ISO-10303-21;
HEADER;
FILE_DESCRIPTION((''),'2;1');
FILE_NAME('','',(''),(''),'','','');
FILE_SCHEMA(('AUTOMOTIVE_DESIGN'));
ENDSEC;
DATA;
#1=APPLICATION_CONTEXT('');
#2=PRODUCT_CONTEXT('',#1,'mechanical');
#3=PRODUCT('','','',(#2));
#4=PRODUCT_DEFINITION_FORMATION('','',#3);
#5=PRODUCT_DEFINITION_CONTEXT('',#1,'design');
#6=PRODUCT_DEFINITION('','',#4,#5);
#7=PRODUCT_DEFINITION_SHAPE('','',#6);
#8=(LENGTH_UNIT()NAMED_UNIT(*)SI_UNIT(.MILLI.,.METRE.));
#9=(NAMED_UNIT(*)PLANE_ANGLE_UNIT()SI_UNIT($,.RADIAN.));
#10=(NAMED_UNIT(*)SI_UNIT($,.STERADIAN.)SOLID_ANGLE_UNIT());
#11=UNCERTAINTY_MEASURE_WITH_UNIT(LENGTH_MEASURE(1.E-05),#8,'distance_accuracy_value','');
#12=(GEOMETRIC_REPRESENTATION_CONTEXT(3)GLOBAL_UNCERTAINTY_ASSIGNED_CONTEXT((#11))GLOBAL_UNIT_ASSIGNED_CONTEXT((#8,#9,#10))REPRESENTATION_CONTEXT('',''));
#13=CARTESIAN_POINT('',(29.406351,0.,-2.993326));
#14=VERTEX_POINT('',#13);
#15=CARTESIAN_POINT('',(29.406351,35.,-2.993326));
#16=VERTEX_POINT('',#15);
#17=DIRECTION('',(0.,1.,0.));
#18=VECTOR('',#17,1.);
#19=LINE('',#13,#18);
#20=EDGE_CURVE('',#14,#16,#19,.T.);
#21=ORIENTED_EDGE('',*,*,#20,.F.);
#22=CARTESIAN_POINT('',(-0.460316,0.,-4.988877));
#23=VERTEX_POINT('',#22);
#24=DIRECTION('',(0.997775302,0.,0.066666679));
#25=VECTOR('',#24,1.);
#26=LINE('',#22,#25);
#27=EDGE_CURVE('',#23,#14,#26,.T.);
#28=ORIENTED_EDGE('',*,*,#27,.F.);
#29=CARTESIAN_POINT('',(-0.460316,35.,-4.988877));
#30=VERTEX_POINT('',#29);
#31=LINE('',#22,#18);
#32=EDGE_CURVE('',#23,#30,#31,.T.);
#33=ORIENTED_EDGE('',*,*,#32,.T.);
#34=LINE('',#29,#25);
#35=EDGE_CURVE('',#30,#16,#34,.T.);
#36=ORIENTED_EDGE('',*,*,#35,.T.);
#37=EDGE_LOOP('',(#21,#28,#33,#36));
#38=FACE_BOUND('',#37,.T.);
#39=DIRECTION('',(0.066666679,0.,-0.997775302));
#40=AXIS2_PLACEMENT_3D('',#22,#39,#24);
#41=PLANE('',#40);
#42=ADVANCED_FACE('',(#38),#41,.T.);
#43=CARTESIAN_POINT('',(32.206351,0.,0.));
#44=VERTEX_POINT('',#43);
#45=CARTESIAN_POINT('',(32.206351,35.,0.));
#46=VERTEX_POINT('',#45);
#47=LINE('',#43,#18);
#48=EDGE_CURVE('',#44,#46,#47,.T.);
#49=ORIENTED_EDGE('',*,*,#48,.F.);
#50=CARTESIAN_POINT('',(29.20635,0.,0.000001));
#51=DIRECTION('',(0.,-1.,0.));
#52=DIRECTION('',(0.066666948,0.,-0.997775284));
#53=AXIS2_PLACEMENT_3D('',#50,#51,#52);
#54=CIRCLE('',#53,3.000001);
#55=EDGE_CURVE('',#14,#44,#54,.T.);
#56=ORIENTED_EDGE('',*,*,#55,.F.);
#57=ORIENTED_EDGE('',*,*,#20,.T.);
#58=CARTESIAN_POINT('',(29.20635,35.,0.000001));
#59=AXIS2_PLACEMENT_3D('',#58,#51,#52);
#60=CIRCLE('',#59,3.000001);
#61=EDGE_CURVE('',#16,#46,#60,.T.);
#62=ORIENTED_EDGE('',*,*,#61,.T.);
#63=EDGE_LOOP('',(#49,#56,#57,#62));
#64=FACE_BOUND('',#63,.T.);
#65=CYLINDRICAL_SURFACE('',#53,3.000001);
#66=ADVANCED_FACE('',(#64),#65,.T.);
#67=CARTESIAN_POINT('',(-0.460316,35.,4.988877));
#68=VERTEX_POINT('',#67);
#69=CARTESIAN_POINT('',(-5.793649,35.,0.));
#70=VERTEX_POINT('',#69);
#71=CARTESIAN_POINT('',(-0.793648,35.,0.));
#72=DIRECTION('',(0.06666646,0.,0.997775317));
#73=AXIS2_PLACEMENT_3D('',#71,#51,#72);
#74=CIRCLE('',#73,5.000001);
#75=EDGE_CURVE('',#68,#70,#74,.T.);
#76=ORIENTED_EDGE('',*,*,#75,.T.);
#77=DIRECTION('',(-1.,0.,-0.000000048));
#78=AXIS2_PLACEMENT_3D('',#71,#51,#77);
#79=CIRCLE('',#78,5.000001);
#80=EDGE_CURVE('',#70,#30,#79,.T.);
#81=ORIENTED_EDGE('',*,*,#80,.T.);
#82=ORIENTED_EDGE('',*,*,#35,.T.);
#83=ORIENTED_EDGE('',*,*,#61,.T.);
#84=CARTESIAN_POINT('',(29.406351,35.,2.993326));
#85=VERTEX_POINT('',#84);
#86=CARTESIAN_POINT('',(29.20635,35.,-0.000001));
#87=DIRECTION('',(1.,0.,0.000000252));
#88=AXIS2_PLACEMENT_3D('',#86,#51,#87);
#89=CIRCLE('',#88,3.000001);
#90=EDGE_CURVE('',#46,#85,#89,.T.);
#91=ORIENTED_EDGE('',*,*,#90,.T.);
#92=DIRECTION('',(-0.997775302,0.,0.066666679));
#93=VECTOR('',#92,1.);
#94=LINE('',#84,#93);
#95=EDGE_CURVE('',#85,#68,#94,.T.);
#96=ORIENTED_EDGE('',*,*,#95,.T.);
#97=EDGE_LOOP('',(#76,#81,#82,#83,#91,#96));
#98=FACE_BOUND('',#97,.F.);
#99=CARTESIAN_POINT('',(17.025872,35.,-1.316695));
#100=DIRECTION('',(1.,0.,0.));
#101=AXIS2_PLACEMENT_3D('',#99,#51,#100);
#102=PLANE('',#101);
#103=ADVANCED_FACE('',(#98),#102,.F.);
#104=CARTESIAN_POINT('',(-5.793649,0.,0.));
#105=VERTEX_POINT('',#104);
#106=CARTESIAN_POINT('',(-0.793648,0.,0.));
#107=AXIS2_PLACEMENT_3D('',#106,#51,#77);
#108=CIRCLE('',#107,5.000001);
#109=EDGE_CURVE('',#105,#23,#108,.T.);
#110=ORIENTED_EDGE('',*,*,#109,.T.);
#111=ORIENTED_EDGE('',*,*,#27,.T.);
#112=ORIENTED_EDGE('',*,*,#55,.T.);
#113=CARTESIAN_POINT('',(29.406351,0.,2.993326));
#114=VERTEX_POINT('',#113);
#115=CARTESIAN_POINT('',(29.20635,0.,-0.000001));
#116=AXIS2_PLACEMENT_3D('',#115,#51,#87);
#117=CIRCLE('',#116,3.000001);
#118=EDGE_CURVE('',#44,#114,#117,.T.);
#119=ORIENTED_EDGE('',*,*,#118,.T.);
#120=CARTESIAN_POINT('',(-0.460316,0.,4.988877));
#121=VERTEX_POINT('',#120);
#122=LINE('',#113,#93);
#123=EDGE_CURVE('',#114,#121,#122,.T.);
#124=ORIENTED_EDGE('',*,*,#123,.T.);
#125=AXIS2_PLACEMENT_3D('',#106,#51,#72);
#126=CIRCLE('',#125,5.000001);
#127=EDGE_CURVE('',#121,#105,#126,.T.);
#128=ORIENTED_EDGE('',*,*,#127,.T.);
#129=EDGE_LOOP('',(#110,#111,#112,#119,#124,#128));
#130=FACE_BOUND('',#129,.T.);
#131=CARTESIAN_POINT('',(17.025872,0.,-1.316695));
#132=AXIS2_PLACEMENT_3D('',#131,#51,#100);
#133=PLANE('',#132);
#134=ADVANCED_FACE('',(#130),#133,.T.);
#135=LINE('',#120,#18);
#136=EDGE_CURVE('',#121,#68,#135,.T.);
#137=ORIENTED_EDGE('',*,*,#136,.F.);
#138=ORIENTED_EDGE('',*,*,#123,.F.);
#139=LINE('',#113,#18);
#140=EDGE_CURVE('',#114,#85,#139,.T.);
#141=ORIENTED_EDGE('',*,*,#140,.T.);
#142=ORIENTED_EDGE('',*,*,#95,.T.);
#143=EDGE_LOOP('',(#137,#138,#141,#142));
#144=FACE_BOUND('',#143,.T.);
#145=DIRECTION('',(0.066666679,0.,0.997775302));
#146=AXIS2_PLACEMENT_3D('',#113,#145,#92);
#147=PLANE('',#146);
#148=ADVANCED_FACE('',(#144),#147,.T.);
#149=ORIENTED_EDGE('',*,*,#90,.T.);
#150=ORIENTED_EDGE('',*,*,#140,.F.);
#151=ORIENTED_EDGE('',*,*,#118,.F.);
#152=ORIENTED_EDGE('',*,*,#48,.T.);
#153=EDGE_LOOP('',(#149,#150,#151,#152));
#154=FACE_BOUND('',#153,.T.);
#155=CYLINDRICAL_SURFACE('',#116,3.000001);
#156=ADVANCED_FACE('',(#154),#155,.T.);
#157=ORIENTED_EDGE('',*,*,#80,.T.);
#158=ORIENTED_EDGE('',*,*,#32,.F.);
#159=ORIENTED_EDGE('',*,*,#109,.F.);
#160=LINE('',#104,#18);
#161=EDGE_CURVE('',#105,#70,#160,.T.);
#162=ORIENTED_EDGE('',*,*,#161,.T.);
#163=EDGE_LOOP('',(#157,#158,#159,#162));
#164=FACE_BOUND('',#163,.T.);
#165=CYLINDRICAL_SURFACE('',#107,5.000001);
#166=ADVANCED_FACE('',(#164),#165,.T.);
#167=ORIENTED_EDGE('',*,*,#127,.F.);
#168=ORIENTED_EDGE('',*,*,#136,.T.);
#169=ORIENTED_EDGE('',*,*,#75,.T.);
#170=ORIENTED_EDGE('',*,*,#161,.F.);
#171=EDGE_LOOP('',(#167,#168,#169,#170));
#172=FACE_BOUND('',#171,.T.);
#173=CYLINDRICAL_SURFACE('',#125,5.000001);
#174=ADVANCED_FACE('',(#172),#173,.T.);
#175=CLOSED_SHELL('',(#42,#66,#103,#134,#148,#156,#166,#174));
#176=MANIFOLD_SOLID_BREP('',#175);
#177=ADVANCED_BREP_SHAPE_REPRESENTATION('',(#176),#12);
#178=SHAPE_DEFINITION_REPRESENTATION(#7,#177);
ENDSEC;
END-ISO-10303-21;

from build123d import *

# Parameters (mm, degrees)
F1_DEPTH = 35


with BuildPart() as f1:
    # F0 (on Front) → F1 (new body)
    with BuildSketch(Plane.XZ):
        with BuildLine():
            Line((6.706351, 0), (3.206351, 0))
            ThreePointArc((3.206351, 0), (4.315396, -2.556039), (6.939684, -3.492214))
            Line((6.939684, -3.492214), (29.339684, -1.995551))
            ThreePointArc((29.339684, -1.995551), (30.666944, -1.36626), (31.206351, 0))
            Line((31.206351, 0), (29.206351, 0))
            Line((29.206351, 0), (6.706351, 0))
        make_face()
        with BuildLine():
            ThreePointArc((6.939684, 3.492214), (4.315396, 2.556039), (3.206351, 0))
            Line((3.206351, 0), (6.706351, 0))
            Line((6.706351, 0), (29.206351, 0))
            Line((29.206351, 0), (31.206351, 0))
            ThreePointArc((31.206351, 0), (30.666944, 1.36626), (29.339684, 1.995551))
            Line((29.339684, 1.995551), (6.939684, 3.492214))
        make_face()
        with BuildLine():
            Line((-0.793649, 0), (-5.793649, 0))
            ThreePointArc((-5.793649, 0), (-4.209299, -3.651484), (-0.460316, -4.988877))
            Line((-0.460316, -4.988877), (29.406351, -2.993326))
            ThreePointArc((29.406351, -2.993326), (31.397241, -2.04939), (32.206351, 0))
            Line((32.206351, 0), (31.206351, 0))
            ThreePointArc((31.206351, 0), (30.666944, -1.36626), (29.339684, -1.995551))
            Line((29.339684, -1.995551), (6.939684, -3.492214))
            ThreePointArc((6.939684, -3.492214), (4.315396, -2.556039), (3.206351, 0))
            Line((3.206351, 0), (-0.793649, 0))
        make_face()
        with BuildLine():
            ThreePointArc((-0.460316, 4.988877), (-4.209299, 3.651484), (-5.793649, 0))
            Line((-5.793649, 0), (-0.793649, 0))
            Line((-0.793649, 0), (3.206351, 0))
            ThreePointArc((3.206351, 0), (4.315396, 2.556039), (6.939684, 3.492214))
            Line((6.939684, 3.492214), (29.339684, 1.995551))
            ThreePointArc((29.339684, 1.995551), (30.666944, 1.36626), (31.206351, 0))
            Line((31.206351, 0), (32.206351, 0))
            ThreePointArc((32.206351, 0), (31.397241, 2.04939), (29.406351, 2.993326))
            Line((29.406351, 2.993326), (-0.460316, 4.988877))
        make_face()
    extrude(amount=-F1_DEPTH)


solid = f1.part
